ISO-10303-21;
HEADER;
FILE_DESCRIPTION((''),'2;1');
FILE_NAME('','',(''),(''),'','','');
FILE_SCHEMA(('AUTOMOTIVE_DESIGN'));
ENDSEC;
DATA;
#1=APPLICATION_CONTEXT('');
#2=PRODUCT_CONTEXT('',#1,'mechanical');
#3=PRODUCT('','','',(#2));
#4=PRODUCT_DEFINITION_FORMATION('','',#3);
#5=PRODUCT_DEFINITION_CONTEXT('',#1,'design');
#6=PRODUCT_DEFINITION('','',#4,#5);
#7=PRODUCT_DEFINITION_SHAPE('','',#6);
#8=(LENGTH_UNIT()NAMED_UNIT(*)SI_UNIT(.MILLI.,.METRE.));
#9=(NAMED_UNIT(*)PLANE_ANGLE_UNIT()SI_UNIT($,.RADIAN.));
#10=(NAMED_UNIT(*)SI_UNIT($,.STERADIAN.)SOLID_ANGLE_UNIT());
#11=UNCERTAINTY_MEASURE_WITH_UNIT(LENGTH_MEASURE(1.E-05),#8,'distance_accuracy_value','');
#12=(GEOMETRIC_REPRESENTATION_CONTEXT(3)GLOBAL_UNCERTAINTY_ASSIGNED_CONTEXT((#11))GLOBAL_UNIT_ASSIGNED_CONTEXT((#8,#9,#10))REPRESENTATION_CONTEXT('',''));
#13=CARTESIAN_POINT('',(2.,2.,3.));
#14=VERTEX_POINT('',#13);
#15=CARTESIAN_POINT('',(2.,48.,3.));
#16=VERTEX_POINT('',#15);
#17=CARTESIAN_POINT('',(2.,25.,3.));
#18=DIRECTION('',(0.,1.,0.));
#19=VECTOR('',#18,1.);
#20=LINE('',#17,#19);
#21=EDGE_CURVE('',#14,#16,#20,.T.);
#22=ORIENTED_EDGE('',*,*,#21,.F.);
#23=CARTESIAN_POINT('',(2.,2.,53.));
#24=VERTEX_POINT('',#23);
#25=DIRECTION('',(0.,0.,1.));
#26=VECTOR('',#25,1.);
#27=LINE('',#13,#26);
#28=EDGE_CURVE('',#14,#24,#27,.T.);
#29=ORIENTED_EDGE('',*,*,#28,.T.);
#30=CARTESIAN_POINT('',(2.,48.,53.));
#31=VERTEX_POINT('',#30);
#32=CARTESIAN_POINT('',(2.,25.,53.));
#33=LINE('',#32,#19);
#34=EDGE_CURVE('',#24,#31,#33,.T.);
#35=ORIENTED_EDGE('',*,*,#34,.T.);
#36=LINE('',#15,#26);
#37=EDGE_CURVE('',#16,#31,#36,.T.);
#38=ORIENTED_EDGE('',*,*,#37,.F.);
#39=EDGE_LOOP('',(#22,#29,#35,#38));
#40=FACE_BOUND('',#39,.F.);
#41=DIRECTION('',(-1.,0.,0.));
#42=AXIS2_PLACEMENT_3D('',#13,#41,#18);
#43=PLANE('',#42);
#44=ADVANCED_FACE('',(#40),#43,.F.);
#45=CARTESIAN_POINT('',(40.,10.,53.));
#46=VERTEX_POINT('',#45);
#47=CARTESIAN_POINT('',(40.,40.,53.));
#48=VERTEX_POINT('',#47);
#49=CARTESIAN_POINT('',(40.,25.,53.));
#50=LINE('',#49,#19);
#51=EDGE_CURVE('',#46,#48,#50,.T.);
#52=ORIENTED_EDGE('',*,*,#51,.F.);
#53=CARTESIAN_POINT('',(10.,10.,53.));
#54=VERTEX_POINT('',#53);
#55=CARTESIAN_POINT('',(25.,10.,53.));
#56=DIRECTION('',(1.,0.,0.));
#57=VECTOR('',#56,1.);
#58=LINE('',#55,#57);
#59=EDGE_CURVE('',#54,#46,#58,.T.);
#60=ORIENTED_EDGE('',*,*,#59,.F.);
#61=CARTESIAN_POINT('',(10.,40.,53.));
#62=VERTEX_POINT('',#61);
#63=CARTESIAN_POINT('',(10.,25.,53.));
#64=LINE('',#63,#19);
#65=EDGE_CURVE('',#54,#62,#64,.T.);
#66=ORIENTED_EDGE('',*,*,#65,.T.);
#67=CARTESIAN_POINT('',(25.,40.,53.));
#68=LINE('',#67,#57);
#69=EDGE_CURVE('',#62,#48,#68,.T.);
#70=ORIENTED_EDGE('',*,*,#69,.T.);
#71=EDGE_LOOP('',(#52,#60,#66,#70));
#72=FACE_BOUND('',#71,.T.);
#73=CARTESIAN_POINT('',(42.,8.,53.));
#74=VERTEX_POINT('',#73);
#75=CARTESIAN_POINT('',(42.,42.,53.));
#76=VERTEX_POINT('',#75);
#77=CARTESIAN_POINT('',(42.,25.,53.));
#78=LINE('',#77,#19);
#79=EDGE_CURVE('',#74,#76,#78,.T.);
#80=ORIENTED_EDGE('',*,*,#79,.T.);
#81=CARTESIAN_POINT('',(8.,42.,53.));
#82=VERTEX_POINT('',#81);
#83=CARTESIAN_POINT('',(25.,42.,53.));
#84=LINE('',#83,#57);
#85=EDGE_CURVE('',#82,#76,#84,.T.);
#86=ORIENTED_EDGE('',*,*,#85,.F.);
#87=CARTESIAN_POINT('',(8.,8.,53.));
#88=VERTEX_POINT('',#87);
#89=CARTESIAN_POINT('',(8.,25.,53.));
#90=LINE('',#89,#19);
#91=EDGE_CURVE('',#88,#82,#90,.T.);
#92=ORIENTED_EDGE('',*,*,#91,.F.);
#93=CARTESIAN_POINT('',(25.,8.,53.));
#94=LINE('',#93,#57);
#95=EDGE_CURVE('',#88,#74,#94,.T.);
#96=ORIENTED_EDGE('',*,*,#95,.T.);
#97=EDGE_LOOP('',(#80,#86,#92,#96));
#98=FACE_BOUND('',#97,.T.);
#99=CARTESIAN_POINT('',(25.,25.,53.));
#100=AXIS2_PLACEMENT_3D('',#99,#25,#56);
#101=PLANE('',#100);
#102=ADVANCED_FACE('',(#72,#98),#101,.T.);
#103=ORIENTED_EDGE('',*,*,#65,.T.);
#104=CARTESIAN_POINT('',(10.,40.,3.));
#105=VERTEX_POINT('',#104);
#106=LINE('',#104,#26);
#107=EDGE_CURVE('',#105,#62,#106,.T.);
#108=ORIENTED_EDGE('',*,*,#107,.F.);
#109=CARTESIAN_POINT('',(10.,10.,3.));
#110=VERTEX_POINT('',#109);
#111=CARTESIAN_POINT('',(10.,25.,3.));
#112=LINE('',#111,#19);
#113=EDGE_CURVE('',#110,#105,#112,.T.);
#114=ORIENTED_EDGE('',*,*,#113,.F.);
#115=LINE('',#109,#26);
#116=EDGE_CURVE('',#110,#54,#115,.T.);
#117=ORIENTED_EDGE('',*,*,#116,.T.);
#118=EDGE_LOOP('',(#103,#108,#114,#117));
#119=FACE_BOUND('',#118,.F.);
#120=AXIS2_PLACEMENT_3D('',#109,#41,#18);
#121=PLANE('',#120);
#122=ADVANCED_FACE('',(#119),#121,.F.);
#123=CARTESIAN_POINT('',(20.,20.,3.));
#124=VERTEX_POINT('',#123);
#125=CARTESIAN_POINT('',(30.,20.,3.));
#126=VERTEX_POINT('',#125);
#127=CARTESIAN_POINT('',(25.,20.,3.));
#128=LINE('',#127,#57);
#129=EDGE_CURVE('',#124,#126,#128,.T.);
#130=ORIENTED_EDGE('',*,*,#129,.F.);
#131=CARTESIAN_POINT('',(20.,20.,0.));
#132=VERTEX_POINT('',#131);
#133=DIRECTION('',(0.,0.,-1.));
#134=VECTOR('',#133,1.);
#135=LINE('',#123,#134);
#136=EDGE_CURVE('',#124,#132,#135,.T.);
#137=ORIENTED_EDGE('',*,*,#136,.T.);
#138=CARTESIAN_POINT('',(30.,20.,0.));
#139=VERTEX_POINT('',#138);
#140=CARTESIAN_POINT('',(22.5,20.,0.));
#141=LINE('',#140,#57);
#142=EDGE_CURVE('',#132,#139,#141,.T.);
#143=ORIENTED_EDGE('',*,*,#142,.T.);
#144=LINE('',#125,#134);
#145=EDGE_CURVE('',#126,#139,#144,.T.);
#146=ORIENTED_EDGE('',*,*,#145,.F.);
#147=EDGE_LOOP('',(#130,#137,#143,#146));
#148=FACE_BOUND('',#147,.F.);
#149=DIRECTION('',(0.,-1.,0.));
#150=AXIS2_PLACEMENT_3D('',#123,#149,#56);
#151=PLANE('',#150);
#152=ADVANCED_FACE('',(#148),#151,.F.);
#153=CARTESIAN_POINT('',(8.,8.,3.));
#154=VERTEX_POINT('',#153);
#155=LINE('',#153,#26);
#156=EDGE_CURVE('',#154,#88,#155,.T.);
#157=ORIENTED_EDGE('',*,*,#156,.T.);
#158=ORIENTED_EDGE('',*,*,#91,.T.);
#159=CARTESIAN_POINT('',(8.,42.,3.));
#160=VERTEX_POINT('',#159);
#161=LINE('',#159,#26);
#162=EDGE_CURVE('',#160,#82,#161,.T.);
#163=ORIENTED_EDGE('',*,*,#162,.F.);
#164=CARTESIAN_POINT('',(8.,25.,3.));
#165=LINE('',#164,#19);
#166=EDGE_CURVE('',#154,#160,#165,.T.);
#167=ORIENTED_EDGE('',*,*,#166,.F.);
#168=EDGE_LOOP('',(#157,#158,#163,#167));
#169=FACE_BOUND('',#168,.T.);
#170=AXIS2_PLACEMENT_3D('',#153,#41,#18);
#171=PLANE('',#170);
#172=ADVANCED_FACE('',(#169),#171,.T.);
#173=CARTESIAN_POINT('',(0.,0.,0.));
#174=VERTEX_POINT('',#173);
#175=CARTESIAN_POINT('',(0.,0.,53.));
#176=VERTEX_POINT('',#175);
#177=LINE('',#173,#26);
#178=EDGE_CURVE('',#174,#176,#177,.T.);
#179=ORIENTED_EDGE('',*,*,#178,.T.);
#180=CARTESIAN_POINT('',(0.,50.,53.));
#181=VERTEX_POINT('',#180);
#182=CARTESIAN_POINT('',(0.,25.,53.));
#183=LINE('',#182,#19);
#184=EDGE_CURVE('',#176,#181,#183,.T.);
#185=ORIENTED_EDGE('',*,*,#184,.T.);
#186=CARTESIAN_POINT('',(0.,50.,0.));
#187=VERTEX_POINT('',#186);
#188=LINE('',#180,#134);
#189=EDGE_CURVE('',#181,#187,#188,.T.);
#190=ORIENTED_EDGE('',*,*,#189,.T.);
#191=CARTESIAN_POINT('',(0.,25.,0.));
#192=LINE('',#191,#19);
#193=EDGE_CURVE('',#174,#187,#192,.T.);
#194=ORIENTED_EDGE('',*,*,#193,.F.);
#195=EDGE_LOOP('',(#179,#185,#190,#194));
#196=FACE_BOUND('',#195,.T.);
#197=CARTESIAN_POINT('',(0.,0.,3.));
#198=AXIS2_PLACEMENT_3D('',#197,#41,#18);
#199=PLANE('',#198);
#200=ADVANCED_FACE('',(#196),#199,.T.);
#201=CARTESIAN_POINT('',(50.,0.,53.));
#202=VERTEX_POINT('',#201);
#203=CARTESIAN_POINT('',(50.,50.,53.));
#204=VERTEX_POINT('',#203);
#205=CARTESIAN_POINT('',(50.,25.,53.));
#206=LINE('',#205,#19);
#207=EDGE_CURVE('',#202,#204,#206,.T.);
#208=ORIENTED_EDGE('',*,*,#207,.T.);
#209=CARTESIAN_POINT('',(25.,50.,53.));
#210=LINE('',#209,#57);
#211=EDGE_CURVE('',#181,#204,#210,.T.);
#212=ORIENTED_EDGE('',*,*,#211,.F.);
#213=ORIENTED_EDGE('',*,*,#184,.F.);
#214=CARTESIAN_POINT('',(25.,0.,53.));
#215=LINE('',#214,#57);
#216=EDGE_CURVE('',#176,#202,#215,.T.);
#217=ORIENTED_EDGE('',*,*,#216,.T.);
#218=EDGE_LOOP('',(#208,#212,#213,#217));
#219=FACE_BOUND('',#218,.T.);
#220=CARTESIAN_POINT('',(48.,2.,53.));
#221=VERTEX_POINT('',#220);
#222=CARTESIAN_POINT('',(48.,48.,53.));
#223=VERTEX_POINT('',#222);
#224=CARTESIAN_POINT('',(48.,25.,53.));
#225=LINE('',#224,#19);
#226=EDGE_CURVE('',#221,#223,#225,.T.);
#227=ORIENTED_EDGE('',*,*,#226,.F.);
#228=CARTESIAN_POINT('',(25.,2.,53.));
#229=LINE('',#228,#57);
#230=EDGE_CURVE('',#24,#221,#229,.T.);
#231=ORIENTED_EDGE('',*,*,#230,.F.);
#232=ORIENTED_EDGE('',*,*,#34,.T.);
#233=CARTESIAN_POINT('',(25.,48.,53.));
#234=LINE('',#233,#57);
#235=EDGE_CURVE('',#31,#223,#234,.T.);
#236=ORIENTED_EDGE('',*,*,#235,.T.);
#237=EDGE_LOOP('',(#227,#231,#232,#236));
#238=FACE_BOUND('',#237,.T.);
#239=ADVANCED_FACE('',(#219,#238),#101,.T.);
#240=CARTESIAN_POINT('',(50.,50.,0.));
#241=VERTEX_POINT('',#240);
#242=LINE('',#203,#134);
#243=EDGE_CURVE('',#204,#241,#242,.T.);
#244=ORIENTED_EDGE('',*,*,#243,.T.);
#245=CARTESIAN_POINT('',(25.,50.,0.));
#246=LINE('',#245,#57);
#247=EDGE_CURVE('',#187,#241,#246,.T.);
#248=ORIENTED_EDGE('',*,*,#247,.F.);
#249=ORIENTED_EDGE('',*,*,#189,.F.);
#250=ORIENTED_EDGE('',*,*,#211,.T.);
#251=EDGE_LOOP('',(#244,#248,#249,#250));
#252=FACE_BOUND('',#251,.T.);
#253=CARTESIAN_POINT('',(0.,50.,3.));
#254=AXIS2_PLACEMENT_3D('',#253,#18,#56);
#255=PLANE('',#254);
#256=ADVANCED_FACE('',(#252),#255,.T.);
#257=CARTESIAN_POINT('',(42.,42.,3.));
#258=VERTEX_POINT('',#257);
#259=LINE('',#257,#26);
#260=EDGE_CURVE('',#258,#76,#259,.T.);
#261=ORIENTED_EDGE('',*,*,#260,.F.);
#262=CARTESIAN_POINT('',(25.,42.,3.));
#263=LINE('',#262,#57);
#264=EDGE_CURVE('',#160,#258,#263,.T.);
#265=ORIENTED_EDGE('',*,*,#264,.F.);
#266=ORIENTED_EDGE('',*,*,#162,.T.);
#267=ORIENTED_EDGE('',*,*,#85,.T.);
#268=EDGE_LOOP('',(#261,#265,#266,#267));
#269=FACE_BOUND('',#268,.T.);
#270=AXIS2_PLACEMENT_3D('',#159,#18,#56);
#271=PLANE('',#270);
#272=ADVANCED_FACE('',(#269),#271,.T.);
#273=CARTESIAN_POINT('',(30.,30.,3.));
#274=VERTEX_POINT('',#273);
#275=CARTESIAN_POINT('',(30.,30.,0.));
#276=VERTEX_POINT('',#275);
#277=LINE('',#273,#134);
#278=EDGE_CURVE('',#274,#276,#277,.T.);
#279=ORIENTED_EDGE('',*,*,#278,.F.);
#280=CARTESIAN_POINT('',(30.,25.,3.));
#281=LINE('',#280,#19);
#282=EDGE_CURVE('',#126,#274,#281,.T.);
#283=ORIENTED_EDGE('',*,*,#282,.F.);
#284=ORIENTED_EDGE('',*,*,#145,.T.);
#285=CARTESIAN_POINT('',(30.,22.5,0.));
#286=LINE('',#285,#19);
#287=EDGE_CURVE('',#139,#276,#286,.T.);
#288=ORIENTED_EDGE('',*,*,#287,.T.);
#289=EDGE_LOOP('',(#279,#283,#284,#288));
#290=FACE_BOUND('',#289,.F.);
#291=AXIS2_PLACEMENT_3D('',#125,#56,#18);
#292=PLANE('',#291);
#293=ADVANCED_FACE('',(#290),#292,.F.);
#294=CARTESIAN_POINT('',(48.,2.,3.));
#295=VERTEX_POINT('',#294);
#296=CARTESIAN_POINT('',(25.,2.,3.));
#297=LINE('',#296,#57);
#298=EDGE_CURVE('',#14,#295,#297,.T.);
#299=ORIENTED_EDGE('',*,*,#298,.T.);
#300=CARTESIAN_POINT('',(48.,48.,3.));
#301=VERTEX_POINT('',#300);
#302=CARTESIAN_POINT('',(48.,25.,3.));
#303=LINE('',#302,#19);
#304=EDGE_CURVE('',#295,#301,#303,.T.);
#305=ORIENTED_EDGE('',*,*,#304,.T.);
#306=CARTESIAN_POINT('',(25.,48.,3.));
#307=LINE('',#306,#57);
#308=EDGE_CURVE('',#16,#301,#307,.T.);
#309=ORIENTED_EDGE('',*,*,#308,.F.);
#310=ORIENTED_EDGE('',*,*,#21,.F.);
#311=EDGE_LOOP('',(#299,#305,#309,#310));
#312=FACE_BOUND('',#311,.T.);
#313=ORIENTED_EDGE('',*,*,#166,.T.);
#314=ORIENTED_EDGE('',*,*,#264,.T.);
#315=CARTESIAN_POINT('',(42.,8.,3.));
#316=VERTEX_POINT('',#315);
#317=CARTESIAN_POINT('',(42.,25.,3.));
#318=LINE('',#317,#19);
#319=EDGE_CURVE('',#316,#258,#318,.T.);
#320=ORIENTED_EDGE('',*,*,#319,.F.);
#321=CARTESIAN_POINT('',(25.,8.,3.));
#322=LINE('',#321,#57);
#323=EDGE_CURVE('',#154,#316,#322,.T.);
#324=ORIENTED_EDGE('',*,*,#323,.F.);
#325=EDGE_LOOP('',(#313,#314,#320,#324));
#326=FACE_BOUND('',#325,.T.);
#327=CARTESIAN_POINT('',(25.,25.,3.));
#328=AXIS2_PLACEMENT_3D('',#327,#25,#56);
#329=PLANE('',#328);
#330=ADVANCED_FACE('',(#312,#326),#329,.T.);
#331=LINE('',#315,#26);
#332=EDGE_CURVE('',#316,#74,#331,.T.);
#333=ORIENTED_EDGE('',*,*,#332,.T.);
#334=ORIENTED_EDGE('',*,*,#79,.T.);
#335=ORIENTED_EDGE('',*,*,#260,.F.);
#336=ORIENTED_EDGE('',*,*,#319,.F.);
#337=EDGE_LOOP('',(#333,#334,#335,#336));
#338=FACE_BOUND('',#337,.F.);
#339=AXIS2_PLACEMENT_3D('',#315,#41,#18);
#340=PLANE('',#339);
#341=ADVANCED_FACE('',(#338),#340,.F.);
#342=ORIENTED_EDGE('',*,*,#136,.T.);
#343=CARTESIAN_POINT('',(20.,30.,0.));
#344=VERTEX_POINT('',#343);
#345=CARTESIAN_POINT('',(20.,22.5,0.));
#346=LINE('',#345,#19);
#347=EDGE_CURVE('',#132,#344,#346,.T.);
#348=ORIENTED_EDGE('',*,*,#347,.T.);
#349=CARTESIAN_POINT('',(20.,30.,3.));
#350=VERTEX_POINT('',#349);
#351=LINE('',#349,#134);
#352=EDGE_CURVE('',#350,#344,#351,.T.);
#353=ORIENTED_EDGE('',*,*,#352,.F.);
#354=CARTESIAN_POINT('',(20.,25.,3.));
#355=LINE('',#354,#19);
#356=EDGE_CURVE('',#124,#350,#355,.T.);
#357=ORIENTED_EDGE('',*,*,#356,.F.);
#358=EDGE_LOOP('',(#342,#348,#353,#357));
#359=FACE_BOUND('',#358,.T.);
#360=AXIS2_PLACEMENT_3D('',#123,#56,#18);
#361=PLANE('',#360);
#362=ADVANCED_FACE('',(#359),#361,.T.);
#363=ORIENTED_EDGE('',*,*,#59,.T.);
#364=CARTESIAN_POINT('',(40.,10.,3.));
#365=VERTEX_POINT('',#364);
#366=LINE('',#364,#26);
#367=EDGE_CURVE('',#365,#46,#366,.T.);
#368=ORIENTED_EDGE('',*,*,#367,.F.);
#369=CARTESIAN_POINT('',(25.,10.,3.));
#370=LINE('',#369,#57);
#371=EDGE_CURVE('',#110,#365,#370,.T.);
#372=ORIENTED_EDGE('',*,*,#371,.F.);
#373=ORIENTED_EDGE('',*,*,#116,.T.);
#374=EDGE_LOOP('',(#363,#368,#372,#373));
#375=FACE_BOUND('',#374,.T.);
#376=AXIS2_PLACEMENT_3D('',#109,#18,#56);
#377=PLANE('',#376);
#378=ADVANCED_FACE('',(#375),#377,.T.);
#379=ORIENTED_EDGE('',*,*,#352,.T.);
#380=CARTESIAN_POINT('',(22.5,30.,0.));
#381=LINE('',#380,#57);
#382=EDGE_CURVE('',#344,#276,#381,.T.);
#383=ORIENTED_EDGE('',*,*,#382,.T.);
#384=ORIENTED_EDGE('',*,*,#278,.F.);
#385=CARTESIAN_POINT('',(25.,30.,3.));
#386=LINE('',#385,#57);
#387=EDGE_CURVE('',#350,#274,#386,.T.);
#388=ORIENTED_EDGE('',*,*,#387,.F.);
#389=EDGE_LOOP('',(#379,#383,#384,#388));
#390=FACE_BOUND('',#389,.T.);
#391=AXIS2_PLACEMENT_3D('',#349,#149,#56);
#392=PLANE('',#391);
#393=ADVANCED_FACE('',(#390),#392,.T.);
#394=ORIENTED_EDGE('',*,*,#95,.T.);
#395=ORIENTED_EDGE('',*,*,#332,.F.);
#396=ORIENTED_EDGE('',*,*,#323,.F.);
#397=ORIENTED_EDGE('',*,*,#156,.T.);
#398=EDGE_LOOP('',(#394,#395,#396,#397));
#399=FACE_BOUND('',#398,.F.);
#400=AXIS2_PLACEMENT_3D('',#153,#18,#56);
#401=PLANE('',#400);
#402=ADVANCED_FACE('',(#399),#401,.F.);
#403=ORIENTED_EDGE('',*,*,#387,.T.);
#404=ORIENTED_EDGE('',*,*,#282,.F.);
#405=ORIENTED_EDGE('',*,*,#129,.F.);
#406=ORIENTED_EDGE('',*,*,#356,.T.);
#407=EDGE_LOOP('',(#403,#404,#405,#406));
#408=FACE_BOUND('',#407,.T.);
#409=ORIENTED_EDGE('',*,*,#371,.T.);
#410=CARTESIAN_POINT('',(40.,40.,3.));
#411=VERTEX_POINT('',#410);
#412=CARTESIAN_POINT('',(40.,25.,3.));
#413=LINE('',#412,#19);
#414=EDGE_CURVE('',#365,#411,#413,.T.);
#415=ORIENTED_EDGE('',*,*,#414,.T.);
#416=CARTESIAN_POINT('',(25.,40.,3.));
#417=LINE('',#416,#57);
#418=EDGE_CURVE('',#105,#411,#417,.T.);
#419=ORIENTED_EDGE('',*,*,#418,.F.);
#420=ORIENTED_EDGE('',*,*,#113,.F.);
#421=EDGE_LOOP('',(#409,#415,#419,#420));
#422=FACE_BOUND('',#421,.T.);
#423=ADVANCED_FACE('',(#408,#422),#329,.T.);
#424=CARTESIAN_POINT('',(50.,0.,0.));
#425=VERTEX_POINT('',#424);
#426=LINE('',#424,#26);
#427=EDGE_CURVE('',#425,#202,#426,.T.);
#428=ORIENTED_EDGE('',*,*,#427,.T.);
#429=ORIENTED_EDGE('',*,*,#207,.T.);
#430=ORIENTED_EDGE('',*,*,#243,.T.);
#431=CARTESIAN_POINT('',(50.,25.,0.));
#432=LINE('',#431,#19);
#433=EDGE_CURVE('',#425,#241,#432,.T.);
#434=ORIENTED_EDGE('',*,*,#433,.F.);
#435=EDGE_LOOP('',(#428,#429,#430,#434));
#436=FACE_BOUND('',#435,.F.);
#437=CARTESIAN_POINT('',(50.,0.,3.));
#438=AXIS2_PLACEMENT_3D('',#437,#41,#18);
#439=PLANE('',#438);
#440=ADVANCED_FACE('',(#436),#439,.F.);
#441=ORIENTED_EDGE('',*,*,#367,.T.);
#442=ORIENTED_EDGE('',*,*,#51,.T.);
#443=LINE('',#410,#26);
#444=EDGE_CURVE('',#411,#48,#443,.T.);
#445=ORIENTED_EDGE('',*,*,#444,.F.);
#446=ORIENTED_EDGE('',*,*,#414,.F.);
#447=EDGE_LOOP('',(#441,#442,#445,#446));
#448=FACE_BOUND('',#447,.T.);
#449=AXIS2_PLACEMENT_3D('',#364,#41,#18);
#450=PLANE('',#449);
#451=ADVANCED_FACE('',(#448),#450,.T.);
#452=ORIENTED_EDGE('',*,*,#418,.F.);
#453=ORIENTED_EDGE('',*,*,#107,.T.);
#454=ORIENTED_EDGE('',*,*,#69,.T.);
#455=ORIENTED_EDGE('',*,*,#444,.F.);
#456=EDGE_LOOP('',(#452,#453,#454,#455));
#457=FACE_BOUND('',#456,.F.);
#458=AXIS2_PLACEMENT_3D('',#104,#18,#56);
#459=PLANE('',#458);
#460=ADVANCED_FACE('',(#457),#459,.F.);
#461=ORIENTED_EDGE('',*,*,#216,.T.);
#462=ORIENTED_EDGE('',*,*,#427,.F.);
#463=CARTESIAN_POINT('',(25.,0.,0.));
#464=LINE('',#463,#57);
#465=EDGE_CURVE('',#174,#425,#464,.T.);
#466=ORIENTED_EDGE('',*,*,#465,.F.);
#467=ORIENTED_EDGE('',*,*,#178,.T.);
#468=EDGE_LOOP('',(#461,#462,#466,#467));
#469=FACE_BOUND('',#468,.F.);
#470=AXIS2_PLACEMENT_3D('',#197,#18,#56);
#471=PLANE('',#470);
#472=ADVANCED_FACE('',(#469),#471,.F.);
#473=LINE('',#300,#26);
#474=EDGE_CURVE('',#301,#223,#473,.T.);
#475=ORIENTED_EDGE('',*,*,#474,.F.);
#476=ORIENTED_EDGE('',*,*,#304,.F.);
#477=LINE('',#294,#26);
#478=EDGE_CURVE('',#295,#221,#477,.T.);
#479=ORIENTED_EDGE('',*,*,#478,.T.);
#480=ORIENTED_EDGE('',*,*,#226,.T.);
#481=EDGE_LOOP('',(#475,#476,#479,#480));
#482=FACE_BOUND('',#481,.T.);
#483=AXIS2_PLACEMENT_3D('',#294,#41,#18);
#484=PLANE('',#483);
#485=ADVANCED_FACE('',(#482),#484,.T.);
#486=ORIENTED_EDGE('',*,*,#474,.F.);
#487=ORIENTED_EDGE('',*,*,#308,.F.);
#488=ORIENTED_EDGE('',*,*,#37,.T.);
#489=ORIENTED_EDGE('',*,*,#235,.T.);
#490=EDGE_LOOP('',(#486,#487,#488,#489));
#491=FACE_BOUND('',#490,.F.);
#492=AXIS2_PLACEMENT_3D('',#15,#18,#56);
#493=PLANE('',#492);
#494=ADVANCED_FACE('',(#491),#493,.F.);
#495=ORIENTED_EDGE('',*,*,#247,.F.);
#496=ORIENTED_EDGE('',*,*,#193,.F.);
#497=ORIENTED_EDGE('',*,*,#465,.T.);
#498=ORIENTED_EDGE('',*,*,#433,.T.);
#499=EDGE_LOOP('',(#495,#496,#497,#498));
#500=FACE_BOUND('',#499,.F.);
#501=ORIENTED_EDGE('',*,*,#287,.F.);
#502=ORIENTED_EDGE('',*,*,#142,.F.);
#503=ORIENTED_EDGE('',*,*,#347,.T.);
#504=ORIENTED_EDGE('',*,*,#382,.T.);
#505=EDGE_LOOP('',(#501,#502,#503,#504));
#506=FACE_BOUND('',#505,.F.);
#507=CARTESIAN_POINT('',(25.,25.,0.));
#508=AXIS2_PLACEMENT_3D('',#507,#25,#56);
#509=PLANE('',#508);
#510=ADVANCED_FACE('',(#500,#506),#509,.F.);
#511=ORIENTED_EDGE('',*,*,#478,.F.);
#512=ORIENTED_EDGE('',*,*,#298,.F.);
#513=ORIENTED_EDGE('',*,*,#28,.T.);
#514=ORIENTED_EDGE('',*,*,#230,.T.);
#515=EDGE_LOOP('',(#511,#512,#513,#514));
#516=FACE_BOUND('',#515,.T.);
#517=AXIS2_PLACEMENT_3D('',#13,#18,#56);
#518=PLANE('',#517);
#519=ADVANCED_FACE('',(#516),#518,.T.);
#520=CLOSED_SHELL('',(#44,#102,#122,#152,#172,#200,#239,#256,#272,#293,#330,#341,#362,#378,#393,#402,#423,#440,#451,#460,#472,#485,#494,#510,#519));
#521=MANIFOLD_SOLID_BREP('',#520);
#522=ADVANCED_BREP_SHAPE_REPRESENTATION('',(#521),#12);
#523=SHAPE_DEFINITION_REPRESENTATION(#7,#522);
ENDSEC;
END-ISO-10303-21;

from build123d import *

# Parameters (mm, degrees)
SKETCH_W      = 50
SKETCH_H      = 50
PAD_DEPTH     = 3
SKETCH001_W   = 10
SKETCH001_H   = 10
POCKET_DEPTH  = 5
SKETCH002_W   = 50
SKETCH002_H   = 50
SKETCH002_W_2 = 46
SKETCH002_H_2 = 46
PAD001_DEPTH  = 50
SKETCH003_W   = 34
SKETCH003_H   = 34
SKETCH003_W_2 = 30
SKETCH003_H_2 = 30
PAD002_DEPTH  = 50


with BuildPart() as part:
    # Sketch → Pad (new body)
    with BuildSketch(Plane.XY):
        with Locations((25, 25)):
            Rectangle(SKETCH_W, SKETCH_H)
    extrude(amount=PAD_DEPTH)

    # Sketch001 (on Face6 of Pad) → Pocket (cut)
    with BuildSketch(Plane.XY.offset(3)):
        with Locations((25, 25)):
            Rectangle(SKETCH001_W, SKETCH001_H)
    extrude(amount=-POCKET_DEPTH, mode=Mode.SUBTRACT)

    # Sketch002 (on Face5 of Pocket) → Pad001 (join)
    with BuildSketch(Plane.XY.offset(3)):
        with Locations((25, 25)):
            Rectangle(SKETCH002_W, SKETCH002_H)
        with Locations((25, 25)):
            Rectangle(SKETCH002_W_2, SKETCH002_H_2, mode=Mode.SUBTRACT)
    extrude(amount=PAD001_DEPTH)

    # Sketch003 (on Face15 of Pad001) → Pad002 (join)
    with BuildSketch(Plane.XY.offset(3)):
        with Locations((25, 25)):
            Rectangle(SKETCH003_W, SKETCH003_H)
        with Locations((25, 25)):
            Rectangle(SKETCH003_W_2, SKETCH003_H_2, mode=Mode.SUBTRACT)
    extrude(amount=PAD002_DEPTH)


solid = part.part
